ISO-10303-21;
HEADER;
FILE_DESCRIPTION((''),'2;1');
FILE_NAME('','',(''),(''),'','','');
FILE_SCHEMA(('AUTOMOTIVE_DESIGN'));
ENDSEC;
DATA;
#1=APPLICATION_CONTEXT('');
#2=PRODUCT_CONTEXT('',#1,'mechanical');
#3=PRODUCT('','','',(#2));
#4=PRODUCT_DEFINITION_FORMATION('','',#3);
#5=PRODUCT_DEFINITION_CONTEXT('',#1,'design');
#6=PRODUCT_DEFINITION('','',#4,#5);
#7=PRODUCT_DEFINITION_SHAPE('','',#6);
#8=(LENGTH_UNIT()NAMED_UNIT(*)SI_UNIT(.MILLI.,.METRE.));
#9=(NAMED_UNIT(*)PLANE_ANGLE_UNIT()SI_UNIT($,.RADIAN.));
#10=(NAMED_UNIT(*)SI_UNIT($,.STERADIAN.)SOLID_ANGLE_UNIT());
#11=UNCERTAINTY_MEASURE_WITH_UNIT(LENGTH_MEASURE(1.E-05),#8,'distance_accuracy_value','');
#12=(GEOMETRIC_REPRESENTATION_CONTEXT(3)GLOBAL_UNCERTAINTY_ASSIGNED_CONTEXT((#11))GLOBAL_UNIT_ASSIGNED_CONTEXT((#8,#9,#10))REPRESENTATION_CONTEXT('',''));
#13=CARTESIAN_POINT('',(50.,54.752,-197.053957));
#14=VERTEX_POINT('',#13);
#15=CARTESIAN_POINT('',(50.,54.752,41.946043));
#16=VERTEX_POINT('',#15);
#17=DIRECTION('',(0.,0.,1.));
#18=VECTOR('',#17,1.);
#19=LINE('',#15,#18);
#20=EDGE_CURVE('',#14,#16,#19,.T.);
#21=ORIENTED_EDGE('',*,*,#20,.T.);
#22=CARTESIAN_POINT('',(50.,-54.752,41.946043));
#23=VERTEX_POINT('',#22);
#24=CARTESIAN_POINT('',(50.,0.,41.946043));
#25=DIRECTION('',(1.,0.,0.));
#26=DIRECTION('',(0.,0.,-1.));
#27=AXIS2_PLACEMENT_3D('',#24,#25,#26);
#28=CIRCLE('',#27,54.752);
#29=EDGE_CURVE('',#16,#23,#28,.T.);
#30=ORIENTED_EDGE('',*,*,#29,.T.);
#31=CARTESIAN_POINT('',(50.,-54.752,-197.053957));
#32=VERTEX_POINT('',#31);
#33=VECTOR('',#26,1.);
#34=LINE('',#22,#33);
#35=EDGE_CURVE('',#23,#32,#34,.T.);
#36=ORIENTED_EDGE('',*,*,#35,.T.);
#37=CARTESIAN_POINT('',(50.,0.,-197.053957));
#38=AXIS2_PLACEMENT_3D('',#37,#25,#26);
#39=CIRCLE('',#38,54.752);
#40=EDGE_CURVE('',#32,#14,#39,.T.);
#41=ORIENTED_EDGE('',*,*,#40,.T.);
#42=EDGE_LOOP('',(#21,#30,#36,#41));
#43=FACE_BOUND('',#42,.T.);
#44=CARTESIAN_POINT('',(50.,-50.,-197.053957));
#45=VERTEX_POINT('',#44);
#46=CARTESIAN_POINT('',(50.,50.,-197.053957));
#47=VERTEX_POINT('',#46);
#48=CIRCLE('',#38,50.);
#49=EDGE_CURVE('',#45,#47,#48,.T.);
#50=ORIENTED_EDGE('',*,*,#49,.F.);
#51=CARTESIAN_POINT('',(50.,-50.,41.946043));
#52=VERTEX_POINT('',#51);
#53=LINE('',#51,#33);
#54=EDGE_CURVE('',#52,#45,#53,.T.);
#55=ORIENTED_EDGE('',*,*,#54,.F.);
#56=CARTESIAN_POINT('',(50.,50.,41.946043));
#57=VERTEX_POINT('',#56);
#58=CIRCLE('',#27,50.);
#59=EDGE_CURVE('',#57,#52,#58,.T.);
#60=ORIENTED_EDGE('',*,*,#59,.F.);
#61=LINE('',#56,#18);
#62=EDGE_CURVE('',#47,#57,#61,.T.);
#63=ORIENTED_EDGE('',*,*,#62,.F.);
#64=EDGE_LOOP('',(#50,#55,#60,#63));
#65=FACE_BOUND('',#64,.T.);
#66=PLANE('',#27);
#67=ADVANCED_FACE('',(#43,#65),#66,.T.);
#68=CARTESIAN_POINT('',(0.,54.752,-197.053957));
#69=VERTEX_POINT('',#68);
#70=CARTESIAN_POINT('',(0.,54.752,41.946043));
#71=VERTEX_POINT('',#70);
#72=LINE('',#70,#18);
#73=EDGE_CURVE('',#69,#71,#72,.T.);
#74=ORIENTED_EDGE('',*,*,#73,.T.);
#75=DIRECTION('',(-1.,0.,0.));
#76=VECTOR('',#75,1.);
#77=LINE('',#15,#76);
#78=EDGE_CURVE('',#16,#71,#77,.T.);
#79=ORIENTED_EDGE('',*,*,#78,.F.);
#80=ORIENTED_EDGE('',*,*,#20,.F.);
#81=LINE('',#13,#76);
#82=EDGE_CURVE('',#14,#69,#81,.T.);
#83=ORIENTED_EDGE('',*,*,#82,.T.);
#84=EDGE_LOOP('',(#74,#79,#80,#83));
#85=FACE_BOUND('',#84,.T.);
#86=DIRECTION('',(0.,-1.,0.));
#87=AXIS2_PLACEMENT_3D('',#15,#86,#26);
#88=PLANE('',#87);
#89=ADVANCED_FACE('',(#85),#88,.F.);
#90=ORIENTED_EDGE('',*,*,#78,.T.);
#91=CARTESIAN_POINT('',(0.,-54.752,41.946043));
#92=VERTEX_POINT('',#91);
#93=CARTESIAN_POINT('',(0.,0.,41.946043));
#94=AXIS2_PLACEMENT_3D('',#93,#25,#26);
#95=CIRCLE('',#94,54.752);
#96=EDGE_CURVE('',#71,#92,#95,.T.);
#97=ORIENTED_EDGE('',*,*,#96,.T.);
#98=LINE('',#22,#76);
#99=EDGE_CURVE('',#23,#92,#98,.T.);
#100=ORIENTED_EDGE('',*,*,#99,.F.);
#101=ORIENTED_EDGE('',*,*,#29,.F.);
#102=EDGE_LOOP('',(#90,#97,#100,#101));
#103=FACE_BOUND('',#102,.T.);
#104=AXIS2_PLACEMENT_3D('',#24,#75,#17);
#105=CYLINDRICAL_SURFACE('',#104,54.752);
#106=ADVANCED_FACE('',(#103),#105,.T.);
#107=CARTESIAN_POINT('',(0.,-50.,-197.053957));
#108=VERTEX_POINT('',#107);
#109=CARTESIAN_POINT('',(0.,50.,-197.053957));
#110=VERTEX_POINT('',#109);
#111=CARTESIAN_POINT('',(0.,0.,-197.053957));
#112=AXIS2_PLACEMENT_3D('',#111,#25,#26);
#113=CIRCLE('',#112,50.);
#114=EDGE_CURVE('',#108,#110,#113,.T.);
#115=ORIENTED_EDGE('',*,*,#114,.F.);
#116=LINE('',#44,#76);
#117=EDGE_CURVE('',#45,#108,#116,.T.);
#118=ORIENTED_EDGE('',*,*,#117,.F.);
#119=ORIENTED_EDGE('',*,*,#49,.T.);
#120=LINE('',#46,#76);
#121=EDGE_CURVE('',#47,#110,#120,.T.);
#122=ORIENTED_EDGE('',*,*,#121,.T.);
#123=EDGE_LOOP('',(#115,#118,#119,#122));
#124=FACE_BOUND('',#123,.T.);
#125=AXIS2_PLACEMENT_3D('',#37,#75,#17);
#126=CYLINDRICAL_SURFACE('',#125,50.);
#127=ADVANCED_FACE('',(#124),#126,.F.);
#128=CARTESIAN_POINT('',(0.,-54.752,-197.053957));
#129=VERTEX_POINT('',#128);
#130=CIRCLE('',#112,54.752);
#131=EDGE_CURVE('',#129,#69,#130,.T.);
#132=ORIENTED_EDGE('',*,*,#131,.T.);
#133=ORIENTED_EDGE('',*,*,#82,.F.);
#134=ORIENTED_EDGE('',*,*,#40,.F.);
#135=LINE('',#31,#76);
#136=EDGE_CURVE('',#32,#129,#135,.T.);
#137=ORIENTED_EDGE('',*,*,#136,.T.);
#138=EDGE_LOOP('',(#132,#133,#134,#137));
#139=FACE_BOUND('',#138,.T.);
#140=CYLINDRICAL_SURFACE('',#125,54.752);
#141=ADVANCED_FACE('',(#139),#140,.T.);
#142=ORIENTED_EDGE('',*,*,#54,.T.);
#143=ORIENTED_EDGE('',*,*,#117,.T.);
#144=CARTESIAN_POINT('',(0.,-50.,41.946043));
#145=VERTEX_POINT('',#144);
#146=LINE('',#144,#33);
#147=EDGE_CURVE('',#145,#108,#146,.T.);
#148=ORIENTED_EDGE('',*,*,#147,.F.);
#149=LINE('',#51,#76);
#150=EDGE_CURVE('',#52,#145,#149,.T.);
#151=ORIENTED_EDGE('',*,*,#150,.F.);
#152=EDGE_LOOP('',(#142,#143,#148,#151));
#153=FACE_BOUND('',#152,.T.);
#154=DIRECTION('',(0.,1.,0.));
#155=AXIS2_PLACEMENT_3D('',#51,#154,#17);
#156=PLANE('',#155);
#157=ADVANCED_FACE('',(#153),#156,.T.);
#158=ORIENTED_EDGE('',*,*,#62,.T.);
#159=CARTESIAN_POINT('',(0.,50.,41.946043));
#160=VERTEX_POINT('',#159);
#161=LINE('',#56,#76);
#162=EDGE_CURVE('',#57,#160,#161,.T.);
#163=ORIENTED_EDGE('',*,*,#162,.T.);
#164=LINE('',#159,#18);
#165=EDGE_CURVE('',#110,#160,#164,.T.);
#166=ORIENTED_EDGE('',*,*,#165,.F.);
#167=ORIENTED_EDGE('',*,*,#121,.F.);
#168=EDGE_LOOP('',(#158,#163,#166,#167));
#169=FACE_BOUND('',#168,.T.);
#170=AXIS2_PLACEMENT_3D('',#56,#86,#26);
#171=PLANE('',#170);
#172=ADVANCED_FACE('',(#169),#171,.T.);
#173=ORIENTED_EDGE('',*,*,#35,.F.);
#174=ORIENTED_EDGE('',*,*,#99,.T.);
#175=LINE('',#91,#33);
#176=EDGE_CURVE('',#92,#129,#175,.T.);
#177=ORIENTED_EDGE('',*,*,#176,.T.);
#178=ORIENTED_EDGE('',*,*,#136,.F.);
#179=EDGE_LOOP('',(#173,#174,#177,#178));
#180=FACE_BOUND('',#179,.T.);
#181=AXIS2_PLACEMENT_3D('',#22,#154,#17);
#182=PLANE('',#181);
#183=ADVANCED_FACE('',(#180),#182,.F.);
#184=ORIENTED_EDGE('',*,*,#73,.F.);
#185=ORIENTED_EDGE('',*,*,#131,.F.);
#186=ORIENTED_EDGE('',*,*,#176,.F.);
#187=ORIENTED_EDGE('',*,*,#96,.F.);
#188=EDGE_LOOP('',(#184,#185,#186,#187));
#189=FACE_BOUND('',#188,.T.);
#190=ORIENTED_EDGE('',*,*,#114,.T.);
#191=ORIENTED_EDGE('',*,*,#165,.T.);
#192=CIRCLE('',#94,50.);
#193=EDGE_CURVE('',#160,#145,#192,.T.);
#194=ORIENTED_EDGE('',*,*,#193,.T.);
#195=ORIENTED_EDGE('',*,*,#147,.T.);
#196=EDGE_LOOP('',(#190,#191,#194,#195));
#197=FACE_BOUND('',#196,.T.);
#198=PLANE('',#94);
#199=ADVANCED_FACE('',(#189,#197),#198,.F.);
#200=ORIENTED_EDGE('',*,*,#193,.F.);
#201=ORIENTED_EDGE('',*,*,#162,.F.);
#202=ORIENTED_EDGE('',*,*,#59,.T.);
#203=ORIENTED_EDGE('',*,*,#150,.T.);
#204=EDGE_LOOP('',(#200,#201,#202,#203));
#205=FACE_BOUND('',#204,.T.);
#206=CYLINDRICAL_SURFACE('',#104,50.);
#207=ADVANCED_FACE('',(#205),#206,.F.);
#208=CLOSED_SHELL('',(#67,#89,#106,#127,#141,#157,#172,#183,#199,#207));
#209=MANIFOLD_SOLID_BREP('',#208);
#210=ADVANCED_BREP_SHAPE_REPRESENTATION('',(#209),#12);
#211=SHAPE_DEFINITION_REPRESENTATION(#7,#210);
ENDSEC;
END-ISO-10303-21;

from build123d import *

# Parameters (mm, degrees)
EXTRUDE_1_DEPTH = 50


with BuildPart() as part:
    # 스케치1 → 보스-돌출1 (new body)
    with BuildSketch(Plane(origin=(0, 0, 0), x_dir=(0, 0, -1), z_dir=(1, 0, 0))):
        with BuildLine():
            Line((-41.946043138, 54.752), (197.053956862, 54.752))
            ThreePointArc((197.053956862, 54.752), (251.805956862, 0), (197.053956862, -54.752))
            Line((197.053956862, -54.752), (-41.946043138, -54.752))
            ThreePointArc((-41.946043138, -54.752), (-96.698043138, 0), (-41.946043138, 54.752))
        make_face()
        with BuildLine():
            Line((-41.946043138, 50), (197.053956862, 50))
            ThreePointArc((197.053956862, 50), (247.053956862, 0), (197.053956862, -50))
            Line((197.053956862, -50), (-41.946043138, -50))
            ThreePointArc((-41.946043138, -50), (-91.946043138, 0), (-41.946043138, 50))
        make_face(mode=Mode.SUBTRACT)
    extrude(amount=EXTRUDE_1_DEPTH)


solid = part.part
